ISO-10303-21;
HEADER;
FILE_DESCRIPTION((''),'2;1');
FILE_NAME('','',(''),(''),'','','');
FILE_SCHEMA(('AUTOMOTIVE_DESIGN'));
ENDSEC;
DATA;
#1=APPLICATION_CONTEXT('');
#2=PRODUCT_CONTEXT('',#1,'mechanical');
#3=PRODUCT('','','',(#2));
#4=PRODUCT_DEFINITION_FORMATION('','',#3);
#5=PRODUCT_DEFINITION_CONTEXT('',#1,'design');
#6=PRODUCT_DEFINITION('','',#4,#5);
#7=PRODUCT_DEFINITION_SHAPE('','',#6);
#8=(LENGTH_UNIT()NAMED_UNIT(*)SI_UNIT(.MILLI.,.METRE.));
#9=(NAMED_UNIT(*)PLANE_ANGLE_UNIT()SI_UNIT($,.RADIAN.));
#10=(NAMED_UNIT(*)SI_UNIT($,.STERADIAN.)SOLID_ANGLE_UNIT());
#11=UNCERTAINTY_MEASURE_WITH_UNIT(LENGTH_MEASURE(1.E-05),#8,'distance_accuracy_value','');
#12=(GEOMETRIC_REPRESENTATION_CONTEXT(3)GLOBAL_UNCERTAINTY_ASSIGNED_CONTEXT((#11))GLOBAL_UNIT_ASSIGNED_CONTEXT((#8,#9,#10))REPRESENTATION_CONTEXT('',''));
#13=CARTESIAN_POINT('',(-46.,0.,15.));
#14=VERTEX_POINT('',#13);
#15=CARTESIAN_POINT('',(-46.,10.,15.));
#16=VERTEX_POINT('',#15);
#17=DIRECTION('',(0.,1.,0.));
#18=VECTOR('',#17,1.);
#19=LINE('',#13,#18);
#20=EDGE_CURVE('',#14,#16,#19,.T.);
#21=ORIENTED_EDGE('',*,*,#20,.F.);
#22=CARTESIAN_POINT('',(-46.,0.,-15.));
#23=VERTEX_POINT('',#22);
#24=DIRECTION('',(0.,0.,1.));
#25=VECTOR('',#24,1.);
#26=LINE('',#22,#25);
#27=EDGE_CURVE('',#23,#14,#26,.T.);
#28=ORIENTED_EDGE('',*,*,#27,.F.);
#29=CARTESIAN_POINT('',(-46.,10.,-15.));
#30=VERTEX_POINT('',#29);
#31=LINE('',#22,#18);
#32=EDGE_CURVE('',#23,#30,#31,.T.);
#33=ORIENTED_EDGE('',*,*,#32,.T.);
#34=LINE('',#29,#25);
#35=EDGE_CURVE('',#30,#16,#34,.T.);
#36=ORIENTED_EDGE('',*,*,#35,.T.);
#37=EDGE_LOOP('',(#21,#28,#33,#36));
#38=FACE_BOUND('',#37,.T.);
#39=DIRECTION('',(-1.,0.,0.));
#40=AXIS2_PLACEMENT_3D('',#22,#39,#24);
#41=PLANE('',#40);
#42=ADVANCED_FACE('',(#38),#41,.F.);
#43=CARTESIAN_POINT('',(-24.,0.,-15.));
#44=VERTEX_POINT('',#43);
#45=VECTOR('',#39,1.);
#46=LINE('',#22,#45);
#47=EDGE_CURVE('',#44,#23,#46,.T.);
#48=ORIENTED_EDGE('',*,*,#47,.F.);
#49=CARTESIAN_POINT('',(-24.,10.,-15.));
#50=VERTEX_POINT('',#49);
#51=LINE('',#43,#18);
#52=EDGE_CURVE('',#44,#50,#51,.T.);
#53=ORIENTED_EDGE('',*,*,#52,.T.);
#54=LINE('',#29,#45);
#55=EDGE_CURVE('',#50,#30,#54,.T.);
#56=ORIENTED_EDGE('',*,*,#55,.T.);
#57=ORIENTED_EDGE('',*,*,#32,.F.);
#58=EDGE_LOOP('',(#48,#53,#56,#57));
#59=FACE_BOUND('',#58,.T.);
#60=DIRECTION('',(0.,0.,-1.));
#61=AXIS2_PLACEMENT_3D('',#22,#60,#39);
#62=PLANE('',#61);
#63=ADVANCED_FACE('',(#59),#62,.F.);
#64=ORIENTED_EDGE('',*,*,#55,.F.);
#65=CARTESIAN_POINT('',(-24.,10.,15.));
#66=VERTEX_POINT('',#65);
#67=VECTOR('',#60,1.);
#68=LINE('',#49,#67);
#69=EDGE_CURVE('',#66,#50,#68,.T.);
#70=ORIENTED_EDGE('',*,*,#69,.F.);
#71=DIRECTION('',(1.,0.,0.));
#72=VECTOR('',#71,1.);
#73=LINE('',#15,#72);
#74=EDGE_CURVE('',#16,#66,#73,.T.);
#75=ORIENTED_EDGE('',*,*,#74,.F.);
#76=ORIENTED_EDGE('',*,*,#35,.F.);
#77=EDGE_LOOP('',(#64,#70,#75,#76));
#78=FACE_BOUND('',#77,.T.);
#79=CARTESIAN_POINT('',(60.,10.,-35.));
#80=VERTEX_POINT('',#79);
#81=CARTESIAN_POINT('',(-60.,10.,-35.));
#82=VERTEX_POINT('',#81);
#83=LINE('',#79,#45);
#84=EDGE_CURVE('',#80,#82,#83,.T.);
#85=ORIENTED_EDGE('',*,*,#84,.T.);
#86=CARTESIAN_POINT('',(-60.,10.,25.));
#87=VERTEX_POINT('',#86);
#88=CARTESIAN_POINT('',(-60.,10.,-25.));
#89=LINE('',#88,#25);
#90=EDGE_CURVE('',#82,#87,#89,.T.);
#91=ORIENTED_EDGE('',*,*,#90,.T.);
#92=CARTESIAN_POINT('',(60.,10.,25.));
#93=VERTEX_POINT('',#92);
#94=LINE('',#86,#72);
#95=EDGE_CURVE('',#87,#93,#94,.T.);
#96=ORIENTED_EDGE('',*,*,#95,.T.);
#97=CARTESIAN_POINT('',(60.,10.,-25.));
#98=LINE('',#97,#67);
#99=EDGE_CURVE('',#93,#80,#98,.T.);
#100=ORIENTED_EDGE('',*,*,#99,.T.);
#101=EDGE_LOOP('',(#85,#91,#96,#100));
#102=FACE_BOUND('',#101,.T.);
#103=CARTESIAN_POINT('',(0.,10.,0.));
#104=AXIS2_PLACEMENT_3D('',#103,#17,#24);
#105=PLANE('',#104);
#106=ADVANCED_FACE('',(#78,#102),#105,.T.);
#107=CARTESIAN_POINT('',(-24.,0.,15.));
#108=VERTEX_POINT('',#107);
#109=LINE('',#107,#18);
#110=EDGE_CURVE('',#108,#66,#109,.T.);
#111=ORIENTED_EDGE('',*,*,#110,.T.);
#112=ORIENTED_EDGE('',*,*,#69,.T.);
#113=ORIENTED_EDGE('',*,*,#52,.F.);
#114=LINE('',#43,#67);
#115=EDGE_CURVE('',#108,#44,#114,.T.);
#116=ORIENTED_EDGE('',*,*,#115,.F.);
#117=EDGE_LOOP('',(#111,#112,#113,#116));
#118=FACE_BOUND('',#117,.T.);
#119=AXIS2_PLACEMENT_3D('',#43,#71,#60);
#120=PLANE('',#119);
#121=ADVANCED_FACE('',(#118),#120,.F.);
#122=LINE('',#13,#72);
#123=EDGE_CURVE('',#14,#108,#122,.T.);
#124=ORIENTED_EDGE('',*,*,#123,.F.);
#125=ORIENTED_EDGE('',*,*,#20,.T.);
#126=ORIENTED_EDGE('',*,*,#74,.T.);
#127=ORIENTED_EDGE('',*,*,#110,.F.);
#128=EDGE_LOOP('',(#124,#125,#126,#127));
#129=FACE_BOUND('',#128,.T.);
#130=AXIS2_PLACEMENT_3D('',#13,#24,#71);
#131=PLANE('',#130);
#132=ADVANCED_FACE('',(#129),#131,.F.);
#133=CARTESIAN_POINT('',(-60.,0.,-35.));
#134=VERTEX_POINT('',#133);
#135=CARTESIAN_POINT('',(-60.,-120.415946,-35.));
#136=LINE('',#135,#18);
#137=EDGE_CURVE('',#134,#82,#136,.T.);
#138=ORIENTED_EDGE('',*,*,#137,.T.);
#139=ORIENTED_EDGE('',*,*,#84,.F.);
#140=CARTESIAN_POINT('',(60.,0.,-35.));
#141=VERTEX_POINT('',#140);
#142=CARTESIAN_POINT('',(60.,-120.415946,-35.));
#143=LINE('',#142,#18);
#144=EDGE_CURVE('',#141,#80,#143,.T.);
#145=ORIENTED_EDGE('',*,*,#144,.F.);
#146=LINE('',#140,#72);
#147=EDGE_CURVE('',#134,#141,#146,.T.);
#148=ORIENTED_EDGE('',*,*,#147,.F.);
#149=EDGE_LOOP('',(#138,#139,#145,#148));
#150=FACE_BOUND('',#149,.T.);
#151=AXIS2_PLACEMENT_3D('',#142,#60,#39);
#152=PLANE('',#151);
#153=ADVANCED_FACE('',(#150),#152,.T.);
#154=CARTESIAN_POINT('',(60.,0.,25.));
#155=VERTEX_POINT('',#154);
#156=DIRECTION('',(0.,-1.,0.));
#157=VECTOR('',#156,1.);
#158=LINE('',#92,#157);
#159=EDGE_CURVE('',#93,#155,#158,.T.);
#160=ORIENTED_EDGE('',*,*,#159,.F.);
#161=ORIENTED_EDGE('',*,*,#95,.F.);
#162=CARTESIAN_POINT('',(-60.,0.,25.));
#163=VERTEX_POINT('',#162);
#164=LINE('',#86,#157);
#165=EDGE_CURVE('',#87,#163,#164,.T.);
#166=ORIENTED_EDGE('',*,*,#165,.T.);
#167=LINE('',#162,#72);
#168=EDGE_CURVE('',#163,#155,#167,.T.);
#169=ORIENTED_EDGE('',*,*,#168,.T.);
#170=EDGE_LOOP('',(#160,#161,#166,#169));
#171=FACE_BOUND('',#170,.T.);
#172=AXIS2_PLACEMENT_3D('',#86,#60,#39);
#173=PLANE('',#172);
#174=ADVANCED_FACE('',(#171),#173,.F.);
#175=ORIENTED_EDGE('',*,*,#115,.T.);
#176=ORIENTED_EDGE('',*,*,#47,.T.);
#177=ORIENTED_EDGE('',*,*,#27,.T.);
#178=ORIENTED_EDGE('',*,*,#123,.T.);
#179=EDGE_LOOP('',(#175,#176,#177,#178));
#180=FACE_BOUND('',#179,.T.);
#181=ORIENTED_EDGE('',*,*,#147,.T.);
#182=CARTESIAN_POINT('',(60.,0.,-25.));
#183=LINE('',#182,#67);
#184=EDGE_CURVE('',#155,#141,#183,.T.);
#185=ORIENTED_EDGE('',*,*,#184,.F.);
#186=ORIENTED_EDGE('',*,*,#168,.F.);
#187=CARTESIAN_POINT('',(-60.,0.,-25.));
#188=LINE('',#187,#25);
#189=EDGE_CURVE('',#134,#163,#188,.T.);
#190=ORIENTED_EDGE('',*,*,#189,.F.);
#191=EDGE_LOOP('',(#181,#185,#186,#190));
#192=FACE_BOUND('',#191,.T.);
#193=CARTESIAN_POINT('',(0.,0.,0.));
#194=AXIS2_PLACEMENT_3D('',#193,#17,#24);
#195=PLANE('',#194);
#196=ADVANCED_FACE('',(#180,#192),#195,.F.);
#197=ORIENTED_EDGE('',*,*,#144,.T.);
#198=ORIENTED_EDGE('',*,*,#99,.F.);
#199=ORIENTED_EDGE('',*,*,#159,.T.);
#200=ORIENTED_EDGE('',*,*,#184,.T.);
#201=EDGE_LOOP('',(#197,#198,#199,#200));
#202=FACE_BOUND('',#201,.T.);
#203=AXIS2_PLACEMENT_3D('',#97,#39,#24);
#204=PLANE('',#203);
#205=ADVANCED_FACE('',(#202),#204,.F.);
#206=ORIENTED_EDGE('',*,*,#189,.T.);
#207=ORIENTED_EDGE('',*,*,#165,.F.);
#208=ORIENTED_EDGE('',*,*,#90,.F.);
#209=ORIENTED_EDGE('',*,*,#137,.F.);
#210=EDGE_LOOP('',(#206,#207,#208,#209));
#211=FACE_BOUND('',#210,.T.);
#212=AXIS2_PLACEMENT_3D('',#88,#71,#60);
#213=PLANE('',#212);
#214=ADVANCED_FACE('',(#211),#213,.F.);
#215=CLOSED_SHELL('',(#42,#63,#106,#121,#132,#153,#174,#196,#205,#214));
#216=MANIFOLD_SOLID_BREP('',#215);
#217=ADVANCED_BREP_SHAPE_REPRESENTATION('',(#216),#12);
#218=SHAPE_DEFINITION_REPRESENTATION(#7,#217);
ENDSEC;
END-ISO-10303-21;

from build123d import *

# Parameters (mm, degrees)
SKIZZE1_W                       = 120
SKIZZE1_H                       = 50
AUFSATZ_LINEAR_AUSTRAGEN1_DEPTH = 10
SKIZZE3_W                       = 22
SKIZZE3_H                       = 30
SCHNITT_LINEAR_AUSTRAGEN1_DEPTH = 66.76473219
SKIZZE4_W                       = 120
SKIZZE4_H                       = 10
AUFSATZ_LINEAR_AUSTRAGEN2_DEPTH = 10


with BuildPart() as part:
    # Skizze1 → Aufsatz-Linear austragen1 (new body)
    with BuildSketch(Plane(origin=(0, 0, 0), x_dir=(1, 0, 0), z_dir=(0, 1, 0))):
        Rectangle(SKIZZE1_W, SKIZZE1_H)
    extrude(amount=AUFSATZ_LINEAR_AUSTRAGEN1_DEPTH)

    # Skizze3 → Schnitt-Linear austragen1 (cut, through all)
    with BuildSketch(Plane(origin=(0, 10, 0), x_dir=(1, 0, 0), z_dir=(0, 1, 0))):
        with Locations((-35, 0)):
            Rectangle(SKIZZE3_W, SKIZZE3_H)
    extrude(amount=-SCHNITT_LINEAR_AUSTRAGEN1_DEPTH, mode=Mode.SUBTRACT)

    # Skizze4 → Aufsatz-Linear austragen2 (add)
    with BuildSketch(Plane(origin=(0, 10, 0), x_dir=(1, 0, 0), z_dir=(0, 1, 0))):
        with Locations((0, 30)):
            Rectangle(SKIZZE4_W, SKIZZE4_H)
    extrude(amount=-AUFSATZ_LINEAR_AUSTRAGEN2_DEPTH)


solid = part.part
